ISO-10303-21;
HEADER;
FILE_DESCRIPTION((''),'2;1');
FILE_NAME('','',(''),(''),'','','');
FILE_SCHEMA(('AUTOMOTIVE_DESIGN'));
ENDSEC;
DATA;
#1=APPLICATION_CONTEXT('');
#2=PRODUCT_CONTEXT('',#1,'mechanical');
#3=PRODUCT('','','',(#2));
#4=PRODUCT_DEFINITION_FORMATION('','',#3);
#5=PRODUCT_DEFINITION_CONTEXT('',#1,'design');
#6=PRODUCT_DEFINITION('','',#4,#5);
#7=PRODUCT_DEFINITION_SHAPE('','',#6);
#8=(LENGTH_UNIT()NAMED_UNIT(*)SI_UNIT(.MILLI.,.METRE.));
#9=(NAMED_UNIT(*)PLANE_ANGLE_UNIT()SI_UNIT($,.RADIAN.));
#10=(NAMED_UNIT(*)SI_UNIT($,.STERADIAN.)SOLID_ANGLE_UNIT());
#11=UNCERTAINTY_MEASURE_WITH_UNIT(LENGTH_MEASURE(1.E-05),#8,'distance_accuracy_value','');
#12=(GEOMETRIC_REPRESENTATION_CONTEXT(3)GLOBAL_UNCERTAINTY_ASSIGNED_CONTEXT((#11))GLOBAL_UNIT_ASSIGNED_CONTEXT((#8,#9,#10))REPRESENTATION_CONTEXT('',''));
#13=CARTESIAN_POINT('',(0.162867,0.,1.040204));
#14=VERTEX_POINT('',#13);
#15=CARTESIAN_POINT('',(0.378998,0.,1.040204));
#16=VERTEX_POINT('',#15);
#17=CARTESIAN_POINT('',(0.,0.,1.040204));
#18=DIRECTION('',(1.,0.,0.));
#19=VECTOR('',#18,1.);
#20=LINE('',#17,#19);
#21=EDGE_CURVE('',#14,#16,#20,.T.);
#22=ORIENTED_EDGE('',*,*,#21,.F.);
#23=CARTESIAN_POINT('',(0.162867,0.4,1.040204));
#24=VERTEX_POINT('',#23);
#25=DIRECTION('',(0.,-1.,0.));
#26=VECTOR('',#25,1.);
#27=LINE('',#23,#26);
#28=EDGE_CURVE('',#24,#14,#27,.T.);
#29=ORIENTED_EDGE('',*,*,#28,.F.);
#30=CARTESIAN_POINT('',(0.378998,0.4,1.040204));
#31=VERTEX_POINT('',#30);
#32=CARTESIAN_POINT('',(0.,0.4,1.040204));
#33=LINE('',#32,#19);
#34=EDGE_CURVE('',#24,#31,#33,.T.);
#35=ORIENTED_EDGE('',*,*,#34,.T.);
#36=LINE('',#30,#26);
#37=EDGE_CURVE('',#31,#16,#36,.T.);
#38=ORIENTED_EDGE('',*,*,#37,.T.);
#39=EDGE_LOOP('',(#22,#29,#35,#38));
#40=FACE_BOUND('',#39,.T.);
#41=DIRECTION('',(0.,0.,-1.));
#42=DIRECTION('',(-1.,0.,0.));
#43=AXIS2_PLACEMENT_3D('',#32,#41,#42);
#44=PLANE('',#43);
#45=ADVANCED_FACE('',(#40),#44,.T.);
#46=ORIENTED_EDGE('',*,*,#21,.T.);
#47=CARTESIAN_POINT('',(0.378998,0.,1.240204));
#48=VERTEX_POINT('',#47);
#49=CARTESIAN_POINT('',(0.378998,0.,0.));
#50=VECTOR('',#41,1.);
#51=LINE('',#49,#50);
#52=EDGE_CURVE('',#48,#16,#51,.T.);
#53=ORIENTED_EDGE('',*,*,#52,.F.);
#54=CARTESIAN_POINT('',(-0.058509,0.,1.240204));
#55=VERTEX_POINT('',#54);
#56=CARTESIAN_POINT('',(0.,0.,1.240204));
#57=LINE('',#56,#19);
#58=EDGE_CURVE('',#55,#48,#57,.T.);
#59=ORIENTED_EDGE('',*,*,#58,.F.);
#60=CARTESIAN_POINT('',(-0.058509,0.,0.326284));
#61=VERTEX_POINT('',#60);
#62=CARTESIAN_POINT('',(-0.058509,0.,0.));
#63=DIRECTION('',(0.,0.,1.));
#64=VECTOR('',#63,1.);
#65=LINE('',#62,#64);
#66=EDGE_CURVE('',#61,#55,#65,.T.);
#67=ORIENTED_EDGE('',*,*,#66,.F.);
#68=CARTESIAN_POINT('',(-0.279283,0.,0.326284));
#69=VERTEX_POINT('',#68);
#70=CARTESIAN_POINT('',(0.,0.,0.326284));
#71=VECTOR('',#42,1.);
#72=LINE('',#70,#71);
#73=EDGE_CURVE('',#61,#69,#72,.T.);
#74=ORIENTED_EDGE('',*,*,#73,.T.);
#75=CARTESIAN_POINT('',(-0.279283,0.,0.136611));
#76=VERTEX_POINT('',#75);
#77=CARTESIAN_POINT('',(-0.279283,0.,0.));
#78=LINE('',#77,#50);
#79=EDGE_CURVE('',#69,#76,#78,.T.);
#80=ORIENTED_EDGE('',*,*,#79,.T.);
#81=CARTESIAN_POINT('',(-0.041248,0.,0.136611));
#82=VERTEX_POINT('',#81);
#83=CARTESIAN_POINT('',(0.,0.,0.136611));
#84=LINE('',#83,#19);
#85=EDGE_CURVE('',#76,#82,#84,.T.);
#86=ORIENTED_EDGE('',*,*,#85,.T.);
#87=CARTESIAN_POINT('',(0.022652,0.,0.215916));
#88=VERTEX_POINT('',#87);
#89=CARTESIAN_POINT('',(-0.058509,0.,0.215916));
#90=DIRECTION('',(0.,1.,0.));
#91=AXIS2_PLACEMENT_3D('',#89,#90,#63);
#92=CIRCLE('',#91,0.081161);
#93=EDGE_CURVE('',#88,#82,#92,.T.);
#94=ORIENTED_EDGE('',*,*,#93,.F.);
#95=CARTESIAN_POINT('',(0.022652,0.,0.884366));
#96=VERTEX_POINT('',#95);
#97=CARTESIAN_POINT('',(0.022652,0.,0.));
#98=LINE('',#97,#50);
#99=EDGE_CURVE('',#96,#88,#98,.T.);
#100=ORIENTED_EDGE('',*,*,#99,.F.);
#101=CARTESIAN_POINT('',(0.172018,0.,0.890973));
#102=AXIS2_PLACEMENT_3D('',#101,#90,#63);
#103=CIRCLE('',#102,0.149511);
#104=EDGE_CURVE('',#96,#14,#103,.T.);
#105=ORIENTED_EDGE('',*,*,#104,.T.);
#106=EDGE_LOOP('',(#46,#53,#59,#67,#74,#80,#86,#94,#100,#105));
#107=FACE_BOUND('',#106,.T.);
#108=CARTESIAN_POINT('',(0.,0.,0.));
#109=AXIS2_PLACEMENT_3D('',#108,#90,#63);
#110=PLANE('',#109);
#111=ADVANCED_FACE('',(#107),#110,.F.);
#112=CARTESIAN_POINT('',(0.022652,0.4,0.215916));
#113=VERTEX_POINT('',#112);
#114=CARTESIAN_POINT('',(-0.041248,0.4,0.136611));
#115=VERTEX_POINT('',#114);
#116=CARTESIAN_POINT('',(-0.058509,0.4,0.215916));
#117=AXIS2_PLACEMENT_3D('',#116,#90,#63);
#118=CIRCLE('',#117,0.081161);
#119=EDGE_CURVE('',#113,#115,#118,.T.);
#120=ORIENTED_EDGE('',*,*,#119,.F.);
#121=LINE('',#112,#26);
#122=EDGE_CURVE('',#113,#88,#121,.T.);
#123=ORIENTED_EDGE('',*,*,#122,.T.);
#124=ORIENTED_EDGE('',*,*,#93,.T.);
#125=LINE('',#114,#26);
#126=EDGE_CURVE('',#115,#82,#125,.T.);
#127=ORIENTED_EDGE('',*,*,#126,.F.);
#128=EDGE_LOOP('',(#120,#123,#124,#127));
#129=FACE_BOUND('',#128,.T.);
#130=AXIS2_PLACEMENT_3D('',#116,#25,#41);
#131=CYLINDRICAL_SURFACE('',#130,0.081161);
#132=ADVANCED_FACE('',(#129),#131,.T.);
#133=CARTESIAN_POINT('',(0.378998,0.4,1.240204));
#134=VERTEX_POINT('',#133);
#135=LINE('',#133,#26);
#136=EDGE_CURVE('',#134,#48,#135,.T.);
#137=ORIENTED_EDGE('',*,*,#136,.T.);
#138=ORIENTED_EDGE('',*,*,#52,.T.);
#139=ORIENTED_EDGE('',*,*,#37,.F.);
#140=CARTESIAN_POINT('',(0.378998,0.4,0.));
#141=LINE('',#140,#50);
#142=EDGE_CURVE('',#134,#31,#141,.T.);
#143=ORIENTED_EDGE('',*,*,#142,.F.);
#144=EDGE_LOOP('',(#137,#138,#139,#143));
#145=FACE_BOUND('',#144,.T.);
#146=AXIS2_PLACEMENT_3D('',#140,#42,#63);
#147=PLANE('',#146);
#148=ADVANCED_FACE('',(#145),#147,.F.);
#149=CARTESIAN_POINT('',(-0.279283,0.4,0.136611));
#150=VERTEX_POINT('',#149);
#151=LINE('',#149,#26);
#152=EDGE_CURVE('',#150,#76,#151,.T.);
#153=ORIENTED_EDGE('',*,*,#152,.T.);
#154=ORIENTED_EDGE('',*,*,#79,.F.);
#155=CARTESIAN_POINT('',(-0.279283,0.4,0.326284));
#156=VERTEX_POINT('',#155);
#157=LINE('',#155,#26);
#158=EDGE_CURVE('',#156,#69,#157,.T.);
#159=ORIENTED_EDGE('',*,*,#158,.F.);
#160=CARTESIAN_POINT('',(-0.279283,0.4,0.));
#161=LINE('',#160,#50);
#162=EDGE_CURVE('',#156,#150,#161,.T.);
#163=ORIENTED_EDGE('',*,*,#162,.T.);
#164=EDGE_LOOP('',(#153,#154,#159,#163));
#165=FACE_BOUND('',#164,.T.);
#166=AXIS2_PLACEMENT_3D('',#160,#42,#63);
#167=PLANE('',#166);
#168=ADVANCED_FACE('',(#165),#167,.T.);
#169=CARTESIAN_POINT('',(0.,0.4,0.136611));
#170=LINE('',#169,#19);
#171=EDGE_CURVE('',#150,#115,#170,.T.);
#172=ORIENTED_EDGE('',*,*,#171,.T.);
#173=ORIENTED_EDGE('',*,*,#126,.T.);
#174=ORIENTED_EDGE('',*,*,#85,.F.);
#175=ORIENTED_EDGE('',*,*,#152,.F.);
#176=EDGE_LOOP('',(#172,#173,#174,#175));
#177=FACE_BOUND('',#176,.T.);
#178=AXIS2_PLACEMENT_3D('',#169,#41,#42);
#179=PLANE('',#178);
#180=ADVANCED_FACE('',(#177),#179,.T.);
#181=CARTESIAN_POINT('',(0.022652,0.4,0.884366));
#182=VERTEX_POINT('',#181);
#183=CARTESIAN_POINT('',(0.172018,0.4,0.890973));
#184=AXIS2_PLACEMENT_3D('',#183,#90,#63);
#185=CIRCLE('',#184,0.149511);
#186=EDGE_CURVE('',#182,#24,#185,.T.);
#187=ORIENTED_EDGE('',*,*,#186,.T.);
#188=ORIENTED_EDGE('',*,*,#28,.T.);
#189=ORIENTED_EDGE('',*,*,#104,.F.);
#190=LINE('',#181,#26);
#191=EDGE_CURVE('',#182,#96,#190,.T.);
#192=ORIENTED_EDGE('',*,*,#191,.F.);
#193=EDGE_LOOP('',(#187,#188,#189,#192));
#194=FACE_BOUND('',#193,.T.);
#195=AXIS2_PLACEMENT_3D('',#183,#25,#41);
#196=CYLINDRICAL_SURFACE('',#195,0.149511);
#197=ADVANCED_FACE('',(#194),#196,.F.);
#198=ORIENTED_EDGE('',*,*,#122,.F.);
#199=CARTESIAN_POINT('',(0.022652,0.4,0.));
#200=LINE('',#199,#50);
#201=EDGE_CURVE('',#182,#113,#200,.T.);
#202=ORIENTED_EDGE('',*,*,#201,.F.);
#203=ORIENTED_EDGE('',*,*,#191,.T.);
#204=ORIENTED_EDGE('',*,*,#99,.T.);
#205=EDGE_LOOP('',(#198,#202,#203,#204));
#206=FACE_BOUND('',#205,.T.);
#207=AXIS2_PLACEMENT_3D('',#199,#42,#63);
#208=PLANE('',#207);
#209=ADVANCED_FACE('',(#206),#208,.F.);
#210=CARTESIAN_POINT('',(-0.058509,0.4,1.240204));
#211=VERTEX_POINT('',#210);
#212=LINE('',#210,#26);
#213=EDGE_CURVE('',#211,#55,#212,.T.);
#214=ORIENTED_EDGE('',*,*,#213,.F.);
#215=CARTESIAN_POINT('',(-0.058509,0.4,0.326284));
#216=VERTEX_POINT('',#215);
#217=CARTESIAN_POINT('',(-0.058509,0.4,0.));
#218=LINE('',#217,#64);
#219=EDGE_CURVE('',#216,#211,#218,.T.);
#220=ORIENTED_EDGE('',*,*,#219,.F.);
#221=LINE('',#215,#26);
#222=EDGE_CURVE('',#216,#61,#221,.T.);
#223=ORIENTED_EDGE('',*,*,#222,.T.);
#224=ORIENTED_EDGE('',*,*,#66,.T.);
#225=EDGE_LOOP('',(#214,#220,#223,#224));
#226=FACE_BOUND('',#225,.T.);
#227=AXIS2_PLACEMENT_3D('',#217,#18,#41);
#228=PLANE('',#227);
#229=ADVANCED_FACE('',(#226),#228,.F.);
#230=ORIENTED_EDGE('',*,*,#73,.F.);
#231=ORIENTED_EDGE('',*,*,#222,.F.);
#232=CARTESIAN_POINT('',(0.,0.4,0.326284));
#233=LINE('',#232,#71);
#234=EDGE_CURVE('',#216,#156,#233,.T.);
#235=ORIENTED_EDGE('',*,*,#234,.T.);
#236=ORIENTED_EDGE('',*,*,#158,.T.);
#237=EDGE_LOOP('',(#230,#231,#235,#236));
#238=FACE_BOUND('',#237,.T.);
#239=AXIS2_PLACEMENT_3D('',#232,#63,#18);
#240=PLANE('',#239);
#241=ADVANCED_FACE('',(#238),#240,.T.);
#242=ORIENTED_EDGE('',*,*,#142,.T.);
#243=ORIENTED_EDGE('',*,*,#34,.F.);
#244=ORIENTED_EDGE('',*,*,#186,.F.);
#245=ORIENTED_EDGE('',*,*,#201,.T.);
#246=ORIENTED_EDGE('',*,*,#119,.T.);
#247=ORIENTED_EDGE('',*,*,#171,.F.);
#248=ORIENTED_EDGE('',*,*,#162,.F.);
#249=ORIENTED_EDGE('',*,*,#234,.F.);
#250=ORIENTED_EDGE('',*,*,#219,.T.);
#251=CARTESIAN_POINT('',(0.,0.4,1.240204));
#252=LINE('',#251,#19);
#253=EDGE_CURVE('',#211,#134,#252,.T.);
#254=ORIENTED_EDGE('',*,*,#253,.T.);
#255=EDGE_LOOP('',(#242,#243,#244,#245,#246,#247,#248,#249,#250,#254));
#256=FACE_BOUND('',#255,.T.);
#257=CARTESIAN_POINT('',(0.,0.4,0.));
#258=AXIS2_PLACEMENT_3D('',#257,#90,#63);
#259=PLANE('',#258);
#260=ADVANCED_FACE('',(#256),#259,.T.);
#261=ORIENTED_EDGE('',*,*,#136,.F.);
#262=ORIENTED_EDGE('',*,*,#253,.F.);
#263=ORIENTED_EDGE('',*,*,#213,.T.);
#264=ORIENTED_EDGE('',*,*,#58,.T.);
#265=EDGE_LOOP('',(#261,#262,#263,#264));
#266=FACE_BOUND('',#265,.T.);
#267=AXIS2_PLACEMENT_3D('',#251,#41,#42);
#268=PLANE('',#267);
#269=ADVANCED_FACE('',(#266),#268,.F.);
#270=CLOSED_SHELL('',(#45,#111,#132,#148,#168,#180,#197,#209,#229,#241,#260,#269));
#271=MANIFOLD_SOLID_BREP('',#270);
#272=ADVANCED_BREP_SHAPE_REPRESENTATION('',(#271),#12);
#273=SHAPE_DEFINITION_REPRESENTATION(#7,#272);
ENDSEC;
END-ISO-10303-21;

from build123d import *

# Parameters (mm, degrees)
BOSS_EXTRUDE2_DEPTH = 0.4


with BuildPart() as part:
    # Sketch1 → Boss-Extrude2 (new body)
    with BuildSketch(Plane(origin=(0, 0, 0), x_dir=(1, 0, 0), z_dir=(0, 1, 0))):
        with BuildLine():
            Line((0.378997958, -1.040203981), (0.162867241, -1.040203981))
            ThreePointArc((0.162867241, -1.040203981), (0.065400257, -0.995788853), (0.022652214, -0.897579274))
            ThreePointArc((0.022652214, -0.897579274), (0.02250618, -0.890972759), (0.022652214, -0.884366245))
            Line((0.022652214, -0.884366245), (0.022652214, -0.215915587))
            ThreePointArc((0.022652214, -0.215915587), (0.004689259, -0.164992849), (-0.041248332, -0.136610975))
            Line((-0.041248332, -0.136610975), (-0.279282769, -0.136610975))
            Line((-0.279282769, -0.136610975), (-0.279282769, -0.326283695))
            Line((-0.279282769, -0.326283695), (-0.058509075, -0.326283695))
            Line((-0.058509075, -0.326283695), (-0.058509075, -1.240203981))
            Line((-0.058509075, -1.240203981), (0.202867241, -1.240203981))
            Line((0.202867241, -1.240203981), (0.378997958, -1.240203981))
            Line((0.378997958, -1.240203981), (0.378997958, -1.040203981))
        make_face()
    extrude(amount=BOSS_EXTRUDE2_DEPTH)


solid = part.part
